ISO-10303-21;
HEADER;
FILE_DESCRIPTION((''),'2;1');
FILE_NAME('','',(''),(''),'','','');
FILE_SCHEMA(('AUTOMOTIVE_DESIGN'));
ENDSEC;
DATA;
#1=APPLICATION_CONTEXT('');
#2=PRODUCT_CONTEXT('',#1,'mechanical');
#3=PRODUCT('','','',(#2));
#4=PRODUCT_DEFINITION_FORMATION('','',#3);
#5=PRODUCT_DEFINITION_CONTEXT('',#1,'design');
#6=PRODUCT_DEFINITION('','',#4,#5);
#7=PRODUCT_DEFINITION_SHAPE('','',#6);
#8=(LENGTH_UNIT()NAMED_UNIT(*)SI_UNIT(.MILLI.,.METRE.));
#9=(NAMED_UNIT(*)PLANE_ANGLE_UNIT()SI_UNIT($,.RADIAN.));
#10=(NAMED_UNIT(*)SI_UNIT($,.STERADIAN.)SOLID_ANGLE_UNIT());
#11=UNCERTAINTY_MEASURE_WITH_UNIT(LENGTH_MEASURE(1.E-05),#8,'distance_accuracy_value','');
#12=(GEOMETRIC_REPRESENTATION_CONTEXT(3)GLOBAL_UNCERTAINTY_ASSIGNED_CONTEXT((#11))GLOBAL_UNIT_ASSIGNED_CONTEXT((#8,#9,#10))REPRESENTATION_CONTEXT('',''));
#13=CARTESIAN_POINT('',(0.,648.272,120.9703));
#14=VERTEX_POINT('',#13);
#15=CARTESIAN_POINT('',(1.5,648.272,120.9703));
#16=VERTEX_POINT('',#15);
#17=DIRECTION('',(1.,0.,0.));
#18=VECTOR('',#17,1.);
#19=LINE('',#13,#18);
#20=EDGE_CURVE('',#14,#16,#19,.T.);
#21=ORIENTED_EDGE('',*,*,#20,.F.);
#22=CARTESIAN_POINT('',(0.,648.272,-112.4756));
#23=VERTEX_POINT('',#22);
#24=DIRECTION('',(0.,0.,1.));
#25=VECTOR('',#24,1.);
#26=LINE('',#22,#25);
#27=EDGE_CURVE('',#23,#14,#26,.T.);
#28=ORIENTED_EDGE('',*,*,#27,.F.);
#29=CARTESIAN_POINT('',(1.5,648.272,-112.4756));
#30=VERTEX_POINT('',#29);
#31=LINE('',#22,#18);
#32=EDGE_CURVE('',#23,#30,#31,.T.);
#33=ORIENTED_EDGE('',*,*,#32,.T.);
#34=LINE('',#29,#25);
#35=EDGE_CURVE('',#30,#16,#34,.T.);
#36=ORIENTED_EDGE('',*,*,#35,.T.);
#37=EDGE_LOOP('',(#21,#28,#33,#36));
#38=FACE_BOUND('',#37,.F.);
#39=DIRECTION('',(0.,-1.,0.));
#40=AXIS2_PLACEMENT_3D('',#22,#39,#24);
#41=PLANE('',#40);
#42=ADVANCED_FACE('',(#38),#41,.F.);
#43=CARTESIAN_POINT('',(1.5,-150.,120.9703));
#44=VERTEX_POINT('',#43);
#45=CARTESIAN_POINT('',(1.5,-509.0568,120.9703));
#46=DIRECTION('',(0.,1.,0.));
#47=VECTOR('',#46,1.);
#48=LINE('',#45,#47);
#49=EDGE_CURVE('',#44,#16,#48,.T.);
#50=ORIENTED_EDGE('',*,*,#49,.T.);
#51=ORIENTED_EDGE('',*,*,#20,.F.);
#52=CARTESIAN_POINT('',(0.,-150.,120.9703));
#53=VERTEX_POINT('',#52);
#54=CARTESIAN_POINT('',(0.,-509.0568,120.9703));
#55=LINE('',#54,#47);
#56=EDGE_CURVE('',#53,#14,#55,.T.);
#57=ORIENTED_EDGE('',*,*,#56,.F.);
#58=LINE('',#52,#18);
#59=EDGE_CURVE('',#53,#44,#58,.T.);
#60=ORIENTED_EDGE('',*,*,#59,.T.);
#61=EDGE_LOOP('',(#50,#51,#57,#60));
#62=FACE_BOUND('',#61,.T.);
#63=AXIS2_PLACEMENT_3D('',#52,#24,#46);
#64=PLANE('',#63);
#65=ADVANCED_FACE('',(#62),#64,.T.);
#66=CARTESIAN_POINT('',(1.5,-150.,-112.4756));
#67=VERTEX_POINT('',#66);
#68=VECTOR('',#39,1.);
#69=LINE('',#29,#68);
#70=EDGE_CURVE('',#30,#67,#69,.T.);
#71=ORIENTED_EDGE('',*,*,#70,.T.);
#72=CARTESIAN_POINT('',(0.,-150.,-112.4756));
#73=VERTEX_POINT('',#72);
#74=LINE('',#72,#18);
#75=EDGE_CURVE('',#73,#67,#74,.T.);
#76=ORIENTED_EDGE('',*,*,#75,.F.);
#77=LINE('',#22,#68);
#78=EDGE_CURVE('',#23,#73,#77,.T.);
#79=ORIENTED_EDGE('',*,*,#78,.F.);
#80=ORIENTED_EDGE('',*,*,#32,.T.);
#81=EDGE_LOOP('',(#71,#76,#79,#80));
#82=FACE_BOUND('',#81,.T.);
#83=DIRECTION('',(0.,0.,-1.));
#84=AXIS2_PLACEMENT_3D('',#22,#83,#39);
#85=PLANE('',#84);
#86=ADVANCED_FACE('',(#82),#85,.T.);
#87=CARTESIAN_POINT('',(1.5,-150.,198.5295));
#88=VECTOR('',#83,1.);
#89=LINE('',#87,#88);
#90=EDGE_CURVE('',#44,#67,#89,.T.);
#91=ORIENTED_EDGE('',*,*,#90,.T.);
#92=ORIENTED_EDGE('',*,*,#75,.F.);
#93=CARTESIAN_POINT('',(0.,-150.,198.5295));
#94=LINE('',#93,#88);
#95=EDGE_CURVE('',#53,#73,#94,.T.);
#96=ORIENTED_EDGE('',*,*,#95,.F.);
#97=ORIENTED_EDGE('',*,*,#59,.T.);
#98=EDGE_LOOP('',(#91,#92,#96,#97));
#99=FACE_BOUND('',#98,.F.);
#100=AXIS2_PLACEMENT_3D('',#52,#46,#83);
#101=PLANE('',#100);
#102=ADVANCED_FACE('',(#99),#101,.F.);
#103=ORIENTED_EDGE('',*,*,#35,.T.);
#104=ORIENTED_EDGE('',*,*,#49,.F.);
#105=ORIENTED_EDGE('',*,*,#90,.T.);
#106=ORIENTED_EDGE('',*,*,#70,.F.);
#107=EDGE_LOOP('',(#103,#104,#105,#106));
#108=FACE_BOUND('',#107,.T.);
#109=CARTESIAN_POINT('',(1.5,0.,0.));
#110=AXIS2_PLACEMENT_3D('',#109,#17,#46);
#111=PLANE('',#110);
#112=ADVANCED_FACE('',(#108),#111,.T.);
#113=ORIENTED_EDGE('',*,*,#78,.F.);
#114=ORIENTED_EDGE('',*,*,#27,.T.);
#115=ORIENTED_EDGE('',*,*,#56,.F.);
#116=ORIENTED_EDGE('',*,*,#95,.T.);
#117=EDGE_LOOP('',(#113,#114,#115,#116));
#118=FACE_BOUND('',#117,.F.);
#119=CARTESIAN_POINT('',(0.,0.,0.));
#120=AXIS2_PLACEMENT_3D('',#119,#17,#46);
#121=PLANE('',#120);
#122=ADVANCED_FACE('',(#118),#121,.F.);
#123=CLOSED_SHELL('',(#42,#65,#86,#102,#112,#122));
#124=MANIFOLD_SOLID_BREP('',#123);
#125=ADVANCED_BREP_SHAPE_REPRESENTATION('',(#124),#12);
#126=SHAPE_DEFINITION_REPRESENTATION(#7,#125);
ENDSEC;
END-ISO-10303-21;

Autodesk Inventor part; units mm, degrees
ref_plane "YZ Plane" through (0, 0, 0) normal (1, 0, 0) x (0, 1, 0)
ref_plane "XZ Plane" through (0, 0, 0) normal (0, 1, 0) x (-1, 0, 0)
ref_plane "XY Plane" through (0, 0, 0) normal (0, 0, 1) x (1, 0, 0)
sketch "Sketch1" plane through (0, 0, 0) normal (1, 0, 0) x (0, 1, 0)
  line L0 (648.272, -112.4756) -> (-626.3265, -112.4756)
  line L1 (648.272, -112.4756) -> (648.272, 120.9703)
  line L2 (-509.0568, 120.9703) -> (648.272, 120.9703)
  arc A0 (-509.0568, 120.9703) -> (-536.7491, 102.5088) centre (-509.0568, 90.9703) ccw
  line L3 (-626.3265, -112.4756) -> (-536.7491, 102.5088)
  line L4 (-150, 198.5295) -> (-150, -253.5175)
  point P0 (0, 0)
  point P1 (-150, 120.9703)
  point P2 (-150, -112.4756)
  dimension "d2" = 150
extrude "Extrusion1" add sketch "Sketch1" along normal blind 1.5 contours L0 L4 L2 L1
properties part number "AUX_2" material "Steel, Mild, Welded"
